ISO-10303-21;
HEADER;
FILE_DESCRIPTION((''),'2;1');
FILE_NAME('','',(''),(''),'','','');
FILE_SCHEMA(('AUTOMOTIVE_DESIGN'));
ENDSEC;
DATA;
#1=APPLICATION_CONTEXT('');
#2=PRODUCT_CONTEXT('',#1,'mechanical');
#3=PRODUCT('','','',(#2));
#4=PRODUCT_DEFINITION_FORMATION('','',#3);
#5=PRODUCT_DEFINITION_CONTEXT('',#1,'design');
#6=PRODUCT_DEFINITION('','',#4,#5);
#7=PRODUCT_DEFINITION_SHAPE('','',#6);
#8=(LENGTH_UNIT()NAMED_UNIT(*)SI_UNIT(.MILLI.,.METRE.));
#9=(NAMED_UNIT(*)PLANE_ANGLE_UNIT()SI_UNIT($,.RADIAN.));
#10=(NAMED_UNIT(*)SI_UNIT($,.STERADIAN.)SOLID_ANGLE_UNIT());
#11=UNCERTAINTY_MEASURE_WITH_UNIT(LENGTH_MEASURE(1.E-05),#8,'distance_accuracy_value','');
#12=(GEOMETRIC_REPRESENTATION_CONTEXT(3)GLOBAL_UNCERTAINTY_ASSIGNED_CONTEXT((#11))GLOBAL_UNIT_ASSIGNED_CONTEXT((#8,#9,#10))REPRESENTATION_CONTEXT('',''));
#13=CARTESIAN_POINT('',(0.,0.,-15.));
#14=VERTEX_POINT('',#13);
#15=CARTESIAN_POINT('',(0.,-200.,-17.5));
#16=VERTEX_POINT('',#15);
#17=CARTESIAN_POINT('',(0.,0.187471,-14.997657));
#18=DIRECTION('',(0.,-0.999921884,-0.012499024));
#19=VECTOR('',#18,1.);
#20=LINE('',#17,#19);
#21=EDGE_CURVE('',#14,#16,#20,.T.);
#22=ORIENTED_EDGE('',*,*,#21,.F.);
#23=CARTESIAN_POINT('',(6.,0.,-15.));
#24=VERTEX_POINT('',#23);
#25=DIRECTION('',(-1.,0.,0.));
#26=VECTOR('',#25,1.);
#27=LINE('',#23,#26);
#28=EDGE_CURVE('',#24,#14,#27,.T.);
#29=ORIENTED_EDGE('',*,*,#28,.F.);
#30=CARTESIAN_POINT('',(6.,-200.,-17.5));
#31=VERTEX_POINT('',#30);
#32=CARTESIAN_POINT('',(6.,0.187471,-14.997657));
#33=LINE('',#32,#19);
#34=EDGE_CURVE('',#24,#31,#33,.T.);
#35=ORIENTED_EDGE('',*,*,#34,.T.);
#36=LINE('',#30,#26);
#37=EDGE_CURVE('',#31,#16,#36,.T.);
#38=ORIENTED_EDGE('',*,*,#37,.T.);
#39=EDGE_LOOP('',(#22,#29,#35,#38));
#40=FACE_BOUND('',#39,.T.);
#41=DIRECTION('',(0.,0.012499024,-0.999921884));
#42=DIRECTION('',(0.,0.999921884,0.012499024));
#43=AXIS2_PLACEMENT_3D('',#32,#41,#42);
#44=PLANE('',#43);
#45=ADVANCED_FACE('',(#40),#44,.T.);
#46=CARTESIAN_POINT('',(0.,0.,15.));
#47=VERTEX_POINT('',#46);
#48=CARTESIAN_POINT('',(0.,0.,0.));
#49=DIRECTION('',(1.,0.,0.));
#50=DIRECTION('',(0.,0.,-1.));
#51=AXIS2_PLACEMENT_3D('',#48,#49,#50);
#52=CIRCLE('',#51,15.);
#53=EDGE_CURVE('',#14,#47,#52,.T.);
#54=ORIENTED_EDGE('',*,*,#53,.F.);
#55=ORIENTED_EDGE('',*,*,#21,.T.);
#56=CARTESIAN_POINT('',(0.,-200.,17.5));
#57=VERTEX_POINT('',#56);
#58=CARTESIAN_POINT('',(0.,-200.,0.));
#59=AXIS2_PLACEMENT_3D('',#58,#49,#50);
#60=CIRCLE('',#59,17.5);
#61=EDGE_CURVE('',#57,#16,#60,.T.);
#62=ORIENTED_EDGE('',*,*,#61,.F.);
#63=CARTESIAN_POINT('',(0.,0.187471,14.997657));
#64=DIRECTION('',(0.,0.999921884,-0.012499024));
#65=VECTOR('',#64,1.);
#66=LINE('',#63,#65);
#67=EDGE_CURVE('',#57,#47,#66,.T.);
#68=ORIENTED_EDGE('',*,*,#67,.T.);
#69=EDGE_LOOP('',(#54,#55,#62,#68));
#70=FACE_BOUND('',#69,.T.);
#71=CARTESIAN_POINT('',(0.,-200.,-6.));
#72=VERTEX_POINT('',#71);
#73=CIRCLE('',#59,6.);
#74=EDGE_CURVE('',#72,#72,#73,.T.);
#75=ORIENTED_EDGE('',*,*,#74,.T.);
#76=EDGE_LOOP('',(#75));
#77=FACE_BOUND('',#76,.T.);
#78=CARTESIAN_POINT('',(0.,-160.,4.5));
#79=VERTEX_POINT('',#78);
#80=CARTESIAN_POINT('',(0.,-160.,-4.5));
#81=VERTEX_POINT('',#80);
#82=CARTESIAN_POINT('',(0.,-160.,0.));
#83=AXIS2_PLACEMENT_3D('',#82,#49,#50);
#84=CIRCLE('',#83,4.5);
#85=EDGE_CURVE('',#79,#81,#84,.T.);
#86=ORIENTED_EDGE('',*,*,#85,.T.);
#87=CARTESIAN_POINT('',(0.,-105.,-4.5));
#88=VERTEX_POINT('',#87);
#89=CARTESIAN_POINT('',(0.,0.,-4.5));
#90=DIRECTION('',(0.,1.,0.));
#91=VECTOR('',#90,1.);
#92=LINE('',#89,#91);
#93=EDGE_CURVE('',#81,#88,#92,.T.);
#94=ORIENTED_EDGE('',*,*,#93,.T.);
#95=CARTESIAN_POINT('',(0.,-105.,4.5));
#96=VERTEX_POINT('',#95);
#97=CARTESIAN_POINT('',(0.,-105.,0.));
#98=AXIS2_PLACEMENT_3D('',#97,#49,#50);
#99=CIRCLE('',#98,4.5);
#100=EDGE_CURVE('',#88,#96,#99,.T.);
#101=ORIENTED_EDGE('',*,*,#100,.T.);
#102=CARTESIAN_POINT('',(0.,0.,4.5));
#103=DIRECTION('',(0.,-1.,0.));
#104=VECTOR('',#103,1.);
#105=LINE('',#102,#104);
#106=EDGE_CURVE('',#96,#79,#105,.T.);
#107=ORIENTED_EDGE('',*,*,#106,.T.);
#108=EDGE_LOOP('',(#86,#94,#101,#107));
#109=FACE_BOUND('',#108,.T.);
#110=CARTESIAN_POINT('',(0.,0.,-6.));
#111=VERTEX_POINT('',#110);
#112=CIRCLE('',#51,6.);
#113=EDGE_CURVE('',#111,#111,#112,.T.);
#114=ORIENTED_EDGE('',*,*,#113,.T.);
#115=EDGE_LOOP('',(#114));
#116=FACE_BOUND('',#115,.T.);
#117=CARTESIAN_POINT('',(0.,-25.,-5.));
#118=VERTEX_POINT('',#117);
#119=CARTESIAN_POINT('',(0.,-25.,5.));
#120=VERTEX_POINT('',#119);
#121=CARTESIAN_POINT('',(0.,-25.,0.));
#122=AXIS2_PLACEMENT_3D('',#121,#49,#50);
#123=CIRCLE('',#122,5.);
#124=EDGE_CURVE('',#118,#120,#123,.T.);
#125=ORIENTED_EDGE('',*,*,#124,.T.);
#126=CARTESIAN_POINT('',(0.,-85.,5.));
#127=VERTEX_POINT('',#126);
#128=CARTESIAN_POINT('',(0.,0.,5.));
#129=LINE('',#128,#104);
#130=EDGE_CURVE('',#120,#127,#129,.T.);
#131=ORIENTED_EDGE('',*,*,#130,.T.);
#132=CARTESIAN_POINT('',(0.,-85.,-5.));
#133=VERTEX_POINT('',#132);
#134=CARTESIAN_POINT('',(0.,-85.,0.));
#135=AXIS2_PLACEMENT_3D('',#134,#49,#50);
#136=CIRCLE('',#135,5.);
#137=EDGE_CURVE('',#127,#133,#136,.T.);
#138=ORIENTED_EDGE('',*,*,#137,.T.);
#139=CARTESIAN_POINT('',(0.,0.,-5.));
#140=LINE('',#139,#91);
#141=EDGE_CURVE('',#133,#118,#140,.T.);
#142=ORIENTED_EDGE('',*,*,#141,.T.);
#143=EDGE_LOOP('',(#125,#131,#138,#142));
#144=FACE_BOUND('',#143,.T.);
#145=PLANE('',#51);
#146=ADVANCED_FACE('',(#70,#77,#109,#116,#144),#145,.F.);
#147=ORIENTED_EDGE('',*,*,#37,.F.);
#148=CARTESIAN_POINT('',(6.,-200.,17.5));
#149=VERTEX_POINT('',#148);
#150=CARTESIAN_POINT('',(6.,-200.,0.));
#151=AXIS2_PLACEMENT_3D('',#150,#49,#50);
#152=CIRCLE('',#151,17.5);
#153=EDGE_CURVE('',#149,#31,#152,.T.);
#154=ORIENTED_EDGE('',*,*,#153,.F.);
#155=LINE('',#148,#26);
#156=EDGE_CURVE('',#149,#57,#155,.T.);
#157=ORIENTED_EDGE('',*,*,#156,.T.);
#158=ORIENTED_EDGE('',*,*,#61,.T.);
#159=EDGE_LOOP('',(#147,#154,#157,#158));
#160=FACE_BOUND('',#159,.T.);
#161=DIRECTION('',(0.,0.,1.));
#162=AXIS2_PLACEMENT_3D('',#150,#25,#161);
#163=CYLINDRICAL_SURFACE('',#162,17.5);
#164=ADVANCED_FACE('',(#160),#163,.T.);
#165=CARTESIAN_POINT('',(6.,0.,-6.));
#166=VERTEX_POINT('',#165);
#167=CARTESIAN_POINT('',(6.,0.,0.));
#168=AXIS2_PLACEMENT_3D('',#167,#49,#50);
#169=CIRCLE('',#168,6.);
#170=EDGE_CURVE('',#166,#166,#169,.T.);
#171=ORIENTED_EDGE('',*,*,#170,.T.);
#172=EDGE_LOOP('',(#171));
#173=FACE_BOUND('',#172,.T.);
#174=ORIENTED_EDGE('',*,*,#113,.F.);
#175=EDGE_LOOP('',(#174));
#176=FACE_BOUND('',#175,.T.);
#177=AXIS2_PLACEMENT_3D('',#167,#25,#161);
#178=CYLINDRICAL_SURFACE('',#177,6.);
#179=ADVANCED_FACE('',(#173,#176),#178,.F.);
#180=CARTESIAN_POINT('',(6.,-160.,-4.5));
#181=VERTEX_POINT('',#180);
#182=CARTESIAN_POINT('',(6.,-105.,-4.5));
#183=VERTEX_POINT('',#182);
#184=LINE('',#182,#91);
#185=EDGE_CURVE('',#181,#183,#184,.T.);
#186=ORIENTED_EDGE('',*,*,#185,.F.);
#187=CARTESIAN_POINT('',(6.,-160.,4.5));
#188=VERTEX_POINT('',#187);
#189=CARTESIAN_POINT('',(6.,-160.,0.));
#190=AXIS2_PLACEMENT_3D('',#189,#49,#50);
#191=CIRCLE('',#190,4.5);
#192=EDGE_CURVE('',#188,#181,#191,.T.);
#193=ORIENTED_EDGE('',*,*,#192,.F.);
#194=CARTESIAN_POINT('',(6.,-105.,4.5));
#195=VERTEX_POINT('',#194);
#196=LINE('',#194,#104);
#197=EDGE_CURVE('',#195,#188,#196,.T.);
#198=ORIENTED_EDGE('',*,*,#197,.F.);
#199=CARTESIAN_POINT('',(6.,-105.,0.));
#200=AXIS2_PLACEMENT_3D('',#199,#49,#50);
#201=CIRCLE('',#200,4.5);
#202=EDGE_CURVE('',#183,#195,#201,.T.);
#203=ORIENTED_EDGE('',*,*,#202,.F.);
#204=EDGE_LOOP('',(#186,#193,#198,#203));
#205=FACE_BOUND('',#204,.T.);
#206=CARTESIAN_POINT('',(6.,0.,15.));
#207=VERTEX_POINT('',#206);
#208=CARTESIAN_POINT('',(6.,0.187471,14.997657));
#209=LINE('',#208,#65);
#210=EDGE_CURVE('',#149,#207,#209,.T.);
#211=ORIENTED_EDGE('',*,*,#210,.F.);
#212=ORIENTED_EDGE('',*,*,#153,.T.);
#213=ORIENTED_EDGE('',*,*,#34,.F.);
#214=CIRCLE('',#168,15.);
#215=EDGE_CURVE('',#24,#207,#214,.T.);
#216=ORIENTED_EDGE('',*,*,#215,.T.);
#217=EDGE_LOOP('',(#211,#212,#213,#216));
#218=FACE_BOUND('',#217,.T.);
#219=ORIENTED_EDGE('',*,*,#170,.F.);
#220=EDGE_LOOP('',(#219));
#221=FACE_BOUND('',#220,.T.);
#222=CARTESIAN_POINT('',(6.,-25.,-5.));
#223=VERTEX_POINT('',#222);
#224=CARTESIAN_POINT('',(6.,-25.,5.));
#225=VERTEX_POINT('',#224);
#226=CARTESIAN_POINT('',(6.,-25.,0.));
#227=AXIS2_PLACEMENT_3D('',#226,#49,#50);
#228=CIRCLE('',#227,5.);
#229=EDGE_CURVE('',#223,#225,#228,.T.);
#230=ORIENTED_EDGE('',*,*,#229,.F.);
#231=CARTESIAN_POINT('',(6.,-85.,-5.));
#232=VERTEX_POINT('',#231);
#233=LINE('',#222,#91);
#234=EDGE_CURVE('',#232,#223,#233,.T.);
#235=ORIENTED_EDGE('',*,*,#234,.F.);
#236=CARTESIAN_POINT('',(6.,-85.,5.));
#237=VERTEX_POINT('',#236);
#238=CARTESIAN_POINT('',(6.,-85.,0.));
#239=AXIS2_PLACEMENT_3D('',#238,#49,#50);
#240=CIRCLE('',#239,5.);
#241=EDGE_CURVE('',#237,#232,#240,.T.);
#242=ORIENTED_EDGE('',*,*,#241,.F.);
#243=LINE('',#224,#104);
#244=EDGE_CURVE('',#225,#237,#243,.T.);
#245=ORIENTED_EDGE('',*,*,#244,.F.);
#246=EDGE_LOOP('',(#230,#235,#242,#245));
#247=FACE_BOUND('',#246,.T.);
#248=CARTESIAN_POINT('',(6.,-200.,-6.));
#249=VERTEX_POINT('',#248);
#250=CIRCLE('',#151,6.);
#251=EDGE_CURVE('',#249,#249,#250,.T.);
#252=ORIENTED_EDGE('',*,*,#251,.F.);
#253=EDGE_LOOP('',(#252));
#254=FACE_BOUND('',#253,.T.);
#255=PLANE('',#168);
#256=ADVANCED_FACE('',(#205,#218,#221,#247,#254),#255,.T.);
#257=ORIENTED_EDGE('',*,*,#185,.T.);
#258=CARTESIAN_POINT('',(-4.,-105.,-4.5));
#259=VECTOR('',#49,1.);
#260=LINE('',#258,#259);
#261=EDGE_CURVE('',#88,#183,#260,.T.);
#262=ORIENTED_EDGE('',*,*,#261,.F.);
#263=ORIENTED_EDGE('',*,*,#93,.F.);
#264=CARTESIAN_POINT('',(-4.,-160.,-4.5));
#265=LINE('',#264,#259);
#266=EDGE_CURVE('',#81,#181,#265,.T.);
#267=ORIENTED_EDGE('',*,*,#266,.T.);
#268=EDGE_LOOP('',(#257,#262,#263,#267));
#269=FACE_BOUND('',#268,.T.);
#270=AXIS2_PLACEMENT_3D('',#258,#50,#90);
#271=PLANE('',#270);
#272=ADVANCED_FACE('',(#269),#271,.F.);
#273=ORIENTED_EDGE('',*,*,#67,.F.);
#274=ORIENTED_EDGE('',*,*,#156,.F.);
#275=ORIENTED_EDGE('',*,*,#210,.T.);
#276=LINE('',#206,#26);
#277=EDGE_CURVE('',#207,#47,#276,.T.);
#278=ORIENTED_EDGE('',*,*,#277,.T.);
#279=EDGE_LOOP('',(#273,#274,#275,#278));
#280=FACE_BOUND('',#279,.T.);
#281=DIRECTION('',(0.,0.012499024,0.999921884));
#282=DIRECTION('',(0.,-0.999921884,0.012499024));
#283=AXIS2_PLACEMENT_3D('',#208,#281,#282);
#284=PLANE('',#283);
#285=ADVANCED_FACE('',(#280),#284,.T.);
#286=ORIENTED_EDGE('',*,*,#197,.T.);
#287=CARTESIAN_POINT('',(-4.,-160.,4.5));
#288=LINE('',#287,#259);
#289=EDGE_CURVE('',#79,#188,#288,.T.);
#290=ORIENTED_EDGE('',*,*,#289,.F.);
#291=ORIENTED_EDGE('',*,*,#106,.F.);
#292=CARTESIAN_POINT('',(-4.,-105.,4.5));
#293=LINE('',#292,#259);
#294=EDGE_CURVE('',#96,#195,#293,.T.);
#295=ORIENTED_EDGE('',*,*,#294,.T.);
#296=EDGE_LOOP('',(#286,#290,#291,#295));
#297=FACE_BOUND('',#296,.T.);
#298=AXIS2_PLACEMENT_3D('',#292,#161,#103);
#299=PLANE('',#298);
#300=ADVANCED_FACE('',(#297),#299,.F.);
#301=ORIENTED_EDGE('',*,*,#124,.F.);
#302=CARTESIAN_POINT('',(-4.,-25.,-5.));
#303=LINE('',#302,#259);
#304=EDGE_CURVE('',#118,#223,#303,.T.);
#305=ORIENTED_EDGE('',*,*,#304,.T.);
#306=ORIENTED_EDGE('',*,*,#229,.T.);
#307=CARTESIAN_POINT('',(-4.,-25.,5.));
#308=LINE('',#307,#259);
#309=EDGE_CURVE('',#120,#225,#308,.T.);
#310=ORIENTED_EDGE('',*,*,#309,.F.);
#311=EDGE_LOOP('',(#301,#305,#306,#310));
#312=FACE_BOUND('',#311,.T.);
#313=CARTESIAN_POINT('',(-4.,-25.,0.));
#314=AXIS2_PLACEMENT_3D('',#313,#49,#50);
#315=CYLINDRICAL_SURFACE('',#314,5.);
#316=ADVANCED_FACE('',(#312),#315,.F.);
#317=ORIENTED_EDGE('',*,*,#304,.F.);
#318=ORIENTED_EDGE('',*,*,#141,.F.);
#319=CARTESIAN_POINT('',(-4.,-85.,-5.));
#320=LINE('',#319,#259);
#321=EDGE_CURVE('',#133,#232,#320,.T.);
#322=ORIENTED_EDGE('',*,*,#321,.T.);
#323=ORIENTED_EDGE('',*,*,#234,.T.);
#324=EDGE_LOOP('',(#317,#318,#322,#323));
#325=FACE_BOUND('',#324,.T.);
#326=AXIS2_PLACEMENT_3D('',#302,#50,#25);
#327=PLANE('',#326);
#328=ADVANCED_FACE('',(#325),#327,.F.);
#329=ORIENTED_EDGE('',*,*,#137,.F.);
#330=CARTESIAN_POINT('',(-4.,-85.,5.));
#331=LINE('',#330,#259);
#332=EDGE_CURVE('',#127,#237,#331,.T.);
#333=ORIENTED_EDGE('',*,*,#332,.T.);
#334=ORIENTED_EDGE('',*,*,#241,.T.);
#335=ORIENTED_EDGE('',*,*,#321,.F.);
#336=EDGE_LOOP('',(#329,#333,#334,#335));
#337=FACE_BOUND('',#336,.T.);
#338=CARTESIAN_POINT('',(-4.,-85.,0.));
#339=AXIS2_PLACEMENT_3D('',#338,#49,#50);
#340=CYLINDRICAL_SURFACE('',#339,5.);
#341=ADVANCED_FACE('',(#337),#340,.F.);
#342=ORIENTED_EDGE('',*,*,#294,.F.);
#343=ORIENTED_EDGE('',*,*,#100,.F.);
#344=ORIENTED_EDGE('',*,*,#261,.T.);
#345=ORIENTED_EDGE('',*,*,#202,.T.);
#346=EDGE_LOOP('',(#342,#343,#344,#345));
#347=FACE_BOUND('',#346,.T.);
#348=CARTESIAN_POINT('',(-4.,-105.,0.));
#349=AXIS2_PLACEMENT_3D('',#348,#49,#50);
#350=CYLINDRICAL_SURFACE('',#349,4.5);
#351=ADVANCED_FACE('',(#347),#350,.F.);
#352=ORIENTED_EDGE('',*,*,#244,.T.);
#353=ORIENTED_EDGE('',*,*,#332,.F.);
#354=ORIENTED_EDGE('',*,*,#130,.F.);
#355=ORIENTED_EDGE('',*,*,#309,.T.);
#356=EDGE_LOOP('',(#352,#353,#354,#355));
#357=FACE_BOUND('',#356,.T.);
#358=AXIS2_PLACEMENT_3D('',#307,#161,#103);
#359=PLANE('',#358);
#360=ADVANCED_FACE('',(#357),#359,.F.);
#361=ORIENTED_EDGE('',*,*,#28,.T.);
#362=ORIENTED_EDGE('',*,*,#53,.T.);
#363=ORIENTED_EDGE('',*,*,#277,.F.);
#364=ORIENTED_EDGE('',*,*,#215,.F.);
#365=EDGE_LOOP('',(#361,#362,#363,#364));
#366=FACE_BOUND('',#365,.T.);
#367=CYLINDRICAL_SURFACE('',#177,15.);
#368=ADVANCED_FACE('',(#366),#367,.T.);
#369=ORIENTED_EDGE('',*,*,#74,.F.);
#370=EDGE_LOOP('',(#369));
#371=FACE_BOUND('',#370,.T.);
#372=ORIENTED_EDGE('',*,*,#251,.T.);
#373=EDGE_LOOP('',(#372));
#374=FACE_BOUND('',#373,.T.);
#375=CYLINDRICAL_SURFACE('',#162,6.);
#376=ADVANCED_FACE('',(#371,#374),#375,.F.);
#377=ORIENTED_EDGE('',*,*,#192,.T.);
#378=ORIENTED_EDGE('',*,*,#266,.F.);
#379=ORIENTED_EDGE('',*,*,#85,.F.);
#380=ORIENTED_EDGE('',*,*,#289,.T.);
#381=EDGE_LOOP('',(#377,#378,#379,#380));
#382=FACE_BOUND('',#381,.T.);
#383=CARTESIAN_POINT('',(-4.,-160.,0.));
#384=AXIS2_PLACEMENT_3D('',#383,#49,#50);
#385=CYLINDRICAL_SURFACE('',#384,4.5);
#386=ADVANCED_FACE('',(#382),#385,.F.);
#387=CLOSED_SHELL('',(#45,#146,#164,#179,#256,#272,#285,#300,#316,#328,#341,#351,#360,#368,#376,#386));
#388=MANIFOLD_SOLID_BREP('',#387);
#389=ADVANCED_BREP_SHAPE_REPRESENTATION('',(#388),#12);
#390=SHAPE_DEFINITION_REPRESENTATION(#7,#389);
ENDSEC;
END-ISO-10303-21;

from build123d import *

# Parameters (mm, degrees)
SKETCH_1_R          = 6
EXTRUDE_1_DEPTH     = 6
CUT_EXTRUDE_1_DEPTH = 10


with BuildPart() as part:
    # 草图1 → 凸台-拉伸1 (new body)
    with BuildSketch(Plane(origin=(0, 0, 0), x_dir=(0, 0, -1), z_dir=(1, 0, 0))):
        with BuildLine():
            Line((15, 0), (17.5, -200))
            ThreePointArc((17.5, -200), (0, -217.5), (-17.5, -200))
            Line((-17.5, -200), (-15, 0))
            ThreePointArc((-15, 0), (0, 15), (15, 0))
        make_face()
        Circle(SKETCH_1_R, mode=Mode.SUBTRACT)
        with Locations((0, -200)):
            Circle(SKETCH_1_R, mode=Mode.SUBTRACT)
    extrude(amount=EXTRUDE_1_DEPTH)

    # 草图2 → 切除-拉伸1 (cut)
    with BuildSketch(Plane(origin=(6, 0, 0), x_dir=(0, 0, -1), z_dir=(1, 0, 0))):
        with BuildLine():
            Line((5, -25), (5, -85))
            ThreePointArc((5, -85), (0, -90), (-5, -85))
            Line((-5, -85), (-5, -25))
            ThreePointArc((-5, -25), (0, -20), (5, -25))
        make_face()
        with BuildLine():
            Line((4.5, -105), (4.5, -160))
            ThreePointArc((4.5, -160), (0, -164.5), (-4.5, -160))
            Line((-4.5, -160), (-4.5, -105))
            ThreePointArc((-4.5, -105), (0, -100.5), (4.5, -105))
        make_face()
    extrude(amount=-CUT_EXTRUDE_1_DEPTH, mode=Mode.SUBTRACT)


solid = part.part
